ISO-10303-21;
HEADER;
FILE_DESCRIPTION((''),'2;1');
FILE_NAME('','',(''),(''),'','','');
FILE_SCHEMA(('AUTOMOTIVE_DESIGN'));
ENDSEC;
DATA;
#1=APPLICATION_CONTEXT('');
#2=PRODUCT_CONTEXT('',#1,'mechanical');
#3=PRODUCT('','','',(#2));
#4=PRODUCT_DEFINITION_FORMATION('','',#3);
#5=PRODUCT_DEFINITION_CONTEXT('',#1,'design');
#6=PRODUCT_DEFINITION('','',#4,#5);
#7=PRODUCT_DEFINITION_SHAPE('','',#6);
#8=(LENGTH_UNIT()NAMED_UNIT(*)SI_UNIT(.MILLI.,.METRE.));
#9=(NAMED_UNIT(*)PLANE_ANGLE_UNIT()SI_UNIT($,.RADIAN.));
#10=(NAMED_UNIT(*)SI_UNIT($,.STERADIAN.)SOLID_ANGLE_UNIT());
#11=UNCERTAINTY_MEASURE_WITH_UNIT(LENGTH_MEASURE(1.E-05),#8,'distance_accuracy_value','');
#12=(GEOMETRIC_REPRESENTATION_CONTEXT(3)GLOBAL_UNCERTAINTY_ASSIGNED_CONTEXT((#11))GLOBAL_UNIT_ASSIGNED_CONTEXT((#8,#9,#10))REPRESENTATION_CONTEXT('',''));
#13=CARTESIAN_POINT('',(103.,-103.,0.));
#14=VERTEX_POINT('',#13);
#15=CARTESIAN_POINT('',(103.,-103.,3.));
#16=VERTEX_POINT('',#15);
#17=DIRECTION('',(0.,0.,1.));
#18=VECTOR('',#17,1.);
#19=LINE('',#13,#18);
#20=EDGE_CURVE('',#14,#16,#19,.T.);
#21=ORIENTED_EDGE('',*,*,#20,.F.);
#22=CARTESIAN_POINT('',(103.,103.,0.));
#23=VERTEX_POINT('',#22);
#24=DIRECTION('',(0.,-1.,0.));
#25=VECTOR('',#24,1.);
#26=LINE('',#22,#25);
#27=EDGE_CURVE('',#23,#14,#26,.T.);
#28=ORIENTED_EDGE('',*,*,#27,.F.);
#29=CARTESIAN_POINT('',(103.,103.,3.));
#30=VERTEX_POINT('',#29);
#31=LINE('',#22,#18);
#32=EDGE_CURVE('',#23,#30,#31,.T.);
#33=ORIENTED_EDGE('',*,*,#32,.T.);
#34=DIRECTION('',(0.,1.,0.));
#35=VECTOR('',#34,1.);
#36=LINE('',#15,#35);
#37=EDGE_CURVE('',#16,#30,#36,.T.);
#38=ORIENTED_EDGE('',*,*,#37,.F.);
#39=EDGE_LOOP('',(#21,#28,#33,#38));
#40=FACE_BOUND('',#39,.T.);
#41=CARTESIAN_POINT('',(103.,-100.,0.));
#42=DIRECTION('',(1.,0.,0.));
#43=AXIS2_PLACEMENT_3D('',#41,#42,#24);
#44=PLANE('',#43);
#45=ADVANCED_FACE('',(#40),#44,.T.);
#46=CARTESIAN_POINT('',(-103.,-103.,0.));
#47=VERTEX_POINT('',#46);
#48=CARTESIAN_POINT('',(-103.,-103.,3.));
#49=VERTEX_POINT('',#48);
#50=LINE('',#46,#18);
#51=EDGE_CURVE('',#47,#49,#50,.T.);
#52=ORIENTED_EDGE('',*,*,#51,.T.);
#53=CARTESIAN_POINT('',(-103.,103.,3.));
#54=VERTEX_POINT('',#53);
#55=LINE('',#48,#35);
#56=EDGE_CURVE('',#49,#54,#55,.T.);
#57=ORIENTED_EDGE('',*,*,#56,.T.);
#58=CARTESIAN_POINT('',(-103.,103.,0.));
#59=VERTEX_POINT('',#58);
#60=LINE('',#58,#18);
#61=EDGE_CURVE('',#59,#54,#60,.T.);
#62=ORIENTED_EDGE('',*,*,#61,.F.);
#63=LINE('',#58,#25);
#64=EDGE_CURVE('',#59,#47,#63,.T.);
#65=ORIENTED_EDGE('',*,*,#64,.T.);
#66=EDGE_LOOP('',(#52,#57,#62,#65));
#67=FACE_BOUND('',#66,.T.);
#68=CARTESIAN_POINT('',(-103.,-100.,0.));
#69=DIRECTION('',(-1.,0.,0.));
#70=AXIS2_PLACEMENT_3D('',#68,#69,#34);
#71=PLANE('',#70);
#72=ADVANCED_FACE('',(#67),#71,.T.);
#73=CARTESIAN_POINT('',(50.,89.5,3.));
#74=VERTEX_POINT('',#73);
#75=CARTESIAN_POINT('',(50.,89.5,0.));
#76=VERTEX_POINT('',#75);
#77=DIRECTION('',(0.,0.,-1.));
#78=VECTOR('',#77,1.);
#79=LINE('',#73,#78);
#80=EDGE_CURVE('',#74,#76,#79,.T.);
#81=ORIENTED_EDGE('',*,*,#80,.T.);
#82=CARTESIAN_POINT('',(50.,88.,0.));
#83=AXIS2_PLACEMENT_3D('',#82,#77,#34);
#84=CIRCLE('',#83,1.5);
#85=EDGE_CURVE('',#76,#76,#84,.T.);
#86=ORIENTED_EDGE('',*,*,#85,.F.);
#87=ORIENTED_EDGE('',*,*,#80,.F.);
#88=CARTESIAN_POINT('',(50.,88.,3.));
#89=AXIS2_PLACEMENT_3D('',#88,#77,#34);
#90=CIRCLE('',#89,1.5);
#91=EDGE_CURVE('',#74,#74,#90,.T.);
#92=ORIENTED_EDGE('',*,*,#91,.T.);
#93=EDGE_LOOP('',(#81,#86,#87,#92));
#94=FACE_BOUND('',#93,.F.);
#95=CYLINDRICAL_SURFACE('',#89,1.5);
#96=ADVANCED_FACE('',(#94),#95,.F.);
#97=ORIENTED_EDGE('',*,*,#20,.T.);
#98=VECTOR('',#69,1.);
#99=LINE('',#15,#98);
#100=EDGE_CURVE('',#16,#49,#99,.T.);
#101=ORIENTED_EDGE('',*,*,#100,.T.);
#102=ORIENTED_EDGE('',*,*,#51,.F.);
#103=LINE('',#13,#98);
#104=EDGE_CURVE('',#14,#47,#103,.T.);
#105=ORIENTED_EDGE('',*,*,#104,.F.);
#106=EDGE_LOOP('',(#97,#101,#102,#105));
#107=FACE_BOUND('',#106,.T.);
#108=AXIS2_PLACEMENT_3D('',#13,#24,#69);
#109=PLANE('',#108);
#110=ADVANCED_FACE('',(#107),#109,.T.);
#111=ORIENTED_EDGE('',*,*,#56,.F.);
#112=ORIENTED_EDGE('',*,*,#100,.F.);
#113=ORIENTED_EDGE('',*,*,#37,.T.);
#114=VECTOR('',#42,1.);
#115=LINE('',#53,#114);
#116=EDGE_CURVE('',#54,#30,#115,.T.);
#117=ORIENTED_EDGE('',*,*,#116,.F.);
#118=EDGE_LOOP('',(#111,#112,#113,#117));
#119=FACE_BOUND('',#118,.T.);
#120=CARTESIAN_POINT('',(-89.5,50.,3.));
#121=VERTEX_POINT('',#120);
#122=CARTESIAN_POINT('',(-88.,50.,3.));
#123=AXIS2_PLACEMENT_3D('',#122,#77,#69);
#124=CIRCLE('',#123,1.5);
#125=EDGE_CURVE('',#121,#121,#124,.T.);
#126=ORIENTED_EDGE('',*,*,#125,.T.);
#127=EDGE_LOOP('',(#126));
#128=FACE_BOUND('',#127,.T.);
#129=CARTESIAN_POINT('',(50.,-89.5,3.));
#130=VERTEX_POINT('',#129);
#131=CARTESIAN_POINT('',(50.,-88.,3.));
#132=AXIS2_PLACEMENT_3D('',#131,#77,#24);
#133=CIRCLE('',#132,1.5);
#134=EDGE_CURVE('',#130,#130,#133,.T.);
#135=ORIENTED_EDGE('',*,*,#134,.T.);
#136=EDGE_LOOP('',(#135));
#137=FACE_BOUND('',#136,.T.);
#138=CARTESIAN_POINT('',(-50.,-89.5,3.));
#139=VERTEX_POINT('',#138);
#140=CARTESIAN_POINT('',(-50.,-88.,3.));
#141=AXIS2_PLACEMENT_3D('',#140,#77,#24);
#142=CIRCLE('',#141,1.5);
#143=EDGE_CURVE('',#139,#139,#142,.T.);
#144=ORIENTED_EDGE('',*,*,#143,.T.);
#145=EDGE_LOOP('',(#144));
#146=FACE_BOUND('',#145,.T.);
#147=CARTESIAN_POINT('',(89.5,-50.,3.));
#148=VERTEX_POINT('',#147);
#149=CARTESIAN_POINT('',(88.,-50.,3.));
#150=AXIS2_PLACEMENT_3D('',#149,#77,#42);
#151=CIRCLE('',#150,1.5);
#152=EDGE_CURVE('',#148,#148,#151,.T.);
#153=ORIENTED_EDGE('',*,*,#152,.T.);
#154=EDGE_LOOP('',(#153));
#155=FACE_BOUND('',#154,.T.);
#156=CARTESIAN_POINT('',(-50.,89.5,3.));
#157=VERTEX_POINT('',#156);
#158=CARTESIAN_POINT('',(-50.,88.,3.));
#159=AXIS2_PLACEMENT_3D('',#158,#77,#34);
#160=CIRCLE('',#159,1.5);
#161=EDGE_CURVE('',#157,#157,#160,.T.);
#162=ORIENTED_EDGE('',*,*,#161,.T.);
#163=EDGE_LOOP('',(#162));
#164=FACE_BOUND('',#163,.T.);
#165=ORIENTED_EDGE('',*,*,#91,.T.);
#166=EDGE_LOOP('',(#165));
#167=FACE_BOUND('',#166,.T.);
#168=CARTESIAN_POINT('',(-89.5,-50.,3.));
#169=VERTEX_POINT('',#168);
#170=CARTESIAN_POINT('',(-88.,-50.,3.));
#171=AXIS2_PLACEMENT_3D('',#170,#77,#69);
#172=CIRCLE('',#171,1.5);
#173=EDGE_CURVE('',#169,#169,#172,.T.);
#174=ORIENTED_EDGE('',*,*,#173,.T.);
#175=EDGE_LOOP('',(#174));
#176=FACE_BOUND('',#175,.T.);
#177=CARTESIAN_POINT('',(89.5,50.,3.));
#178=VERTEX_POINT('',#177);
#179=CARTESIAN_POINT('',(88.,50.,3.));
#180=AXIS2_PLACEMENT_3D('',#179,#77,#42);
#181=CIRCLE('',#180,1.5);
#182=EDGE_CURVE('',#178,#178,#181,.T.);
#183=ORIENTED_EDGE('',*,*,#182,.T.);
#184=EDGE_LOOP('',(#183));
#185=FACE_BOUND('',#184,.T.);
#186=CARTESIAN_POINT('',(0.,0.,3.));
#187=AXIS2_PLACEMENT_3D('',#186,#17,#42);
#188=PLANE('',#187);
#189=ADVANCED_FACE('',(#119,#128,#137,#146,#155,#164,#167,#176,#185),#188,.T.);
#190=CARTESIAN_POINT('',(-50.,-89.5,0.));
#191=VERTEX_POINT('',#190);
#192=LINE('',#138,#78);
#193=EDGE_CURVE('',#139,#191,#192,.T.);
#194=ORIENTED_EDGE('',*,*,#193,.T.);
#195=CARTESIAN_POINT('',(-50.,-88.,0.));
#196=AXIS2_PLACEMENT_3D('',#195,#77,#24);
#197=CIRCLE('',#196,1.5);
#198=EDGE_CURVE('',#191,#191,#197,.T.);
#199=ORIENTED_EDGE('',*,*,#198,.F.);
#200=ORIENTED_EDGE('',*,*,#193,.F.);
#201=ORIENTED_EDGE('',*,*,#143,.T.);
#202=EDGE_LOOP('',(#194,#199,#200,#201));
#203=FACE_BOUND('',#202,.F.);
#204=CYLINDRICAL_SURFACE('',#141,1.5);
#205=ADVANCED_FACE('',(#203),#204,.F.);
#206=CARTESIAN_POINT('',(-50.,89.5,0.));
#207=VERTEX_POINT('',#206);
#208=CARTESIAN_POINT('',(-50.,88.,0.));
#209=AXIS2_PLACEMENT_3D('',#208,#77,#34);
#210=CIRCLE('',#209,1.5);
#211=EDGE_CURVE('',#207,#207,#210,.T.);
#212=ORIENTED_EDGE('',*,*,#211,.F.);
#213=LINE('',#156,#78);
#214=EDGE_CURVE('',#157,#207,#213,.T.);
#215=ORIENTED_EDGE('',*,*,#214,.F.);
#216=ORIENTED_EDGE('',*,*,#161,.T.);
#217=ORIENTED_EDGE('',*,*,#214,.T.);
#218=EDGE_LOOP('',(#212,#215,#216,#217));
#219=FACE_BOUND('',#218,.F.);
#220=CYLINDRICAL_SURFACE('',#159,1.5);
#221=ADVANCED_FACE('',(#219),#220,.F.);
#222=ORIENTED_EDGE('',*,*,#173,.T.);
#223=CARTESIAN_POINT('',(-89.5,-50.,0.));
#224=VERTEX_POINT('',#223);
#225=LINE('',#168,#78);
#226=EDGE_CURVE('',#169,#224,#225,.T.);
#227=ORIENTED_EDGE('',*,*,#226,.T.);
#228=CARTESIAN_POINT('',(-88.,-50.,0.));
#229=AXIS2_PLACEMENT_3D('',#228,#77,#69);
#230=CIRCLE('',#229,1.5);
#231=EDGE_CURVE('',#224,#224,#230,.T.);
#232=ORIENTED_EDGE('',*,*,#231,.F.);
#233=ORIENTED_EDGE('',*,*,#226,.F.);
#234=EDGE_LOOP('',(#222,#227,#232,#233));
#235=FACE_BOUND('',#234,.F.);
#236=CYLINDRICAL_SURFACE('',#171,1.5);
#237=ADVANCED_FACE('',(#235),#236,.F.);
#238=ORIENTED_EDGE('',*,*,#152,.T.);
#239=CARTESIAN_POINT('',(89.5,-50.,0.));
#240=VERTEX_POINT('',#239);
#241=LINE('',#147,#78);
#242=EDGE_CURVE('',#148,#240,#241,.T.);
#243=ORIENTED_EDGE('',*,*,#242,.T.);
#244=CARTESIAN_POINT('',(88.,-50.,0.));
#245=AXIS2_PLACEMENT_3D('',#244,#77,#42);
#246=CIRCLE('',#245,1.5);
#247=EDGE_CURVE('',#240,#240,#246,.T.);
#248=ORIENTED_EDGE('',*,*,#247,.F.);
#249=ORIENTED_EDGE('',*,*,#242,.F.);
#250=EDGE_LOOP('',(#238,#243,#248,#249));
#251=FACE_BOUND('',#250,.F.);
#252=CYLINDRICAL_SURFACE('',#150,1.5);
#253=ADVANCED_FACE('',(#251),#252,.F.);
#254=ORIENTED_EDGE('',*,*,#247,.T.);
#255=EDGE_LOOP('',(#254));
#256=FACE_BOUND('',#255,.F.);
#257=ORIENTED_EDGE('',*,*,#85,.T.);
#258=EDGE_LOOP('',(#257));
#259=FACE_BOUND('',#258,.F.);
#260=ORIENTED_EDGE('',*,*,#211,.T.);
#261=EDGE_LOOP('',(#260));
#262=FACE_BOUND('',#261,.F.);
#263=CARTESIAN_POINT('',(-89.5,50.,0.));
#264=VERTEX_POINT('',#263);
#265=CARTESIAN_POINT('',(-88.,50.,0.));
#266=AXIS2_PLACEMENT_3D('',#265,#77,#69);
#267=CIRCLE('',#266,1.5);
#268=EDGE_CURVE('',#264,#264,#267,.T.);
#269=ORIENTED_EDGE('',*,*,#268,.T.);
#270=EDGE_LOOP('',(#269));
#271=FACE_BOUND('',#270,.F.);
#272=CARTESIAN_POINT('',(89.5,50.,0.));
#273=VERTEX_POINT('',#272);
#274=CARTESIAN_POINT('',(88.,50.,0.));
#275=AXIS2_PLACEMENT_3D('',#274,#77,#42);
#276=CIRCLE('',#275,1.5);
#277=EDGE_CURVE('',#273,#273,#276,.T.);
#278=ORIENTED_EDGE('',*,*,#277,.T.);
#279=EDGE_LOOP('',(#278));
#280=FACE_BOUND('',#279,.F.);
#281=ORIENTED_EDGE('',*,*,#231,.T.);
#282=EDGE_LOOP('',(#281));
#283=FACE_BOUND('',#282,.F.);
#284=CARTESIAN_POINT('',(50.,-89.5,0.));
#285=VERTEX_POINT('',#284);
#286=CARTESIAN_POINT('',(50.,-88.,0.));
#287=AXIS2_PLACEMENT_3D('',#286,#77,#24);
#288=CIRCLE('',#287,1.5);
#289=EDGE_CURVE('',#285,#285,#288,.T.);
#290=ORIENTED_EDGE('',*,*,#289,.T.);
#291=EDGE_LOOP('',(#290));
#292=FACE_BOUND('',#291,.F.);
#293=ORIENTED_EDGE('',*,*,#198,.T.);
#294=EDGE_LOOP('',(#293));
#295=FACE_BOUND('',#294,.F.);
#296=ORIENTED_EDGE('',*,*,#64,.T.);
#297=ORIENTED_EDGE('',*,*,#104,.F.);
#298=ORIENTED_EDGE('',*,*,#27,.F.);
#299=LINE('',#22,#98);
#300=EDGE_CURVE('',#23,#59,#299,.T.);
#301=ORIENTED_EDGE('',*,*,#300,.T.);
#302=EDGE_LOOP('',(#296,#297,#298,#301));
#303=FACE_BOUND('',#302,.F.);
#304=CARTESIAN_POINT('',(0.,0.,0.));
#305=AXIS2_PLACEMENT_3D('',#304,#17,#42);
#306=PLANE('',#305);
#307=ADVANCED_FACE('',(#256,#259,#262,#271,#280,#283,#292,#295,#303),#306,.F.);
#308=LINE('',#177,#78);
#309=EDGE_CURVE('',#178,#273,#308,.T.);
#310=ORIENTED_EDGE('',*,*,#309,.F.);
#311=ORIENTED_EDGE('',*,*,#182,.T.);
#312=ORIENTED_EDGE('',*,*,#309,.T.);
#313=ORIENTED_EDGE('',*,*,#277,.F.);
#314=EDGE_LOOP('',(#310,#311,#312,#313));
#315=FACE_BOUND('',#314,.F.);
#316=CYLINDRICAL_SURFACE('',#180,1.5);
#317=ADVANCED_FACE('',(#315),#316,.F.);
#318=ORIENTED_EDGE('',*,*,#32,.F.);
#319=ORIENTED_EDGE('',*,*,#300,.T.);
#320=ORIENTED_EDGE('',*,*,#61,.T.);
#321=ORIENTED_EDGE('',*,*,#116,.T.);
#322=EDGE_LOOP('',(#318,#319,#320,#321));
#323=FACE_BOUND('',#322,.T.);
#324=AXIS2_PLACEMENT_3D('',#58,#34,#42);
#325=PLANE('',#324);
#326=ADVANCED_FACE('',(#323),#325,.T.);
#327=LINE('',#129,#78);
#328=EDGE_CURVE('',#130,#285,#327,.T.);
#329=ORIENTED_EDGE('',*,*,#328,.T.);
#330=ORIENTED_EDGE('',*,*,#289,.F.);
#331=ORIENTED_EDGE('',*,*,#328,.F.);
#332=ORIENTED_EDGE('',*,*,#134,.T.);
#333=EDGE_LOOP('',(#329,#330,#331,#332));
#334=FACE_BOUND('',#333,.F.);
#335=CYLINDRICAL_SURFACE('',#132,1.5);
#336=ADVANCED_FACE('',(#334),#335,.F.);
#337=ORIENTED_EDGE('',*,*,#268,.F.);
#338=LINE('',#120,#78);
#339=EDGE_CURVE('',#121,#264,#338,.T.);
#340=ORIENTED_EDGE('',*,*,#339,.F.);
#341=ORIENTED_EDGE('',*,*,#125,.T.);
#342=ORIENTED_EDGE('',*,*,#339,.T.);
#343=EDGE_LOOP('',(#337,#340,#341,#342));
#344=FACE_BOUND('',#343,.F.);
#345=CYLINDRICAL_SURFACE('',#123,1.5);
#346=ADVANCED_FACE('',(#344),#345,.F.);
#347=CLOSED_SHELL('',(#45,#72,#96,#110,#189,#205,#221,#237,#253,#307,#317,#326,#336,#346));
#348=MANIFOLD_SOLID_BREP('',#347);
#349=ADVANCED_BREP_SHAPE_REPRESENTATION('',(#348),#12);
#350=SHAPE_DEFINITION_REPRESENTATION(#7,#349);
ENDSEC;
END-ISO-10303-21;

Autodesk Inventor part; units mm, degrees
ref_plane "YZ Plane" through (0, 0, 0) normal (1, 0, 0) x (0, 1, 0)
ref_plane "XZ Plane" through (0, 0, 0) normal (0, 1, 0) x (-1, 0, 0)
ref_plane "XY Plane" through (0, 0, 0) normal (0, 0, 1) x (1, 0, 0)
sketch "Boceto1" plane through (0, 0, 0) normal (0, 0, 1) x (1, 0, 0)
  line L0 (-103, -100) -> (-103, 103) projected
  line L1 (-100, 103) -> (-100, -100) projected
  line L2 (-103, 103) -> (-100, 103) projected
  line L3 (-100, 103) -> (103, 103) projected
  line L4 (103, 103) -> (103, 100) projected
  line L5 (103, 103) -> (-103, 103)
  line L6 (-103, 103) -> (-103, -100)
  line L7 (-103, -100) -> (103, -100)
  line L8 (103, -100) -> (103, 103)
  line L9 (103, -103) -> (-103, -103)
  line L10 (-103, -103) -> (-103, 103)
  line L11 (-103, 103) -> (103, 103)
  line L12 (103, 103) -> (103, -103)
  line L13 (-103, -100) -> (-100, -100) projected
  point P0 (0, 0)
extrude "Extrusión1" add sketch "Boceto1" along normal blind 3
sketch "Boceto2" plane through (0, 0, 3) normal (0, 0, 1) x (1, 0, 0)
  line L0 (51.75, -100) -> (48.25, -100) projected
  line L1 (-48.25, -100) -> (-51.75, -100) projected
  line L2 (50, -100) -> (50, -88)
  line L3 (-50, -100) -> (-50, -88)
  circle A0 centre (50, -88) radius 1.5
  circle A1 centre (-50, -88) radius 1.5
  point P0 (0, 0)
  dimension "d2" = 12
  dimension "d3" = 12
  dimension "d5" = 3
  dimension "d6" = 3
hole "Agujero1" at (50, -88, 3) at (-50, -88, 3) direction (0, 0, -1) diameter 3 depth 7
pattern_circular "Patrón circular1" count 4 over 360 about axis through (0, 0, -10) along (0, 0, 1) of "Agujero1"
properties part number "Tapa_Inferior"
